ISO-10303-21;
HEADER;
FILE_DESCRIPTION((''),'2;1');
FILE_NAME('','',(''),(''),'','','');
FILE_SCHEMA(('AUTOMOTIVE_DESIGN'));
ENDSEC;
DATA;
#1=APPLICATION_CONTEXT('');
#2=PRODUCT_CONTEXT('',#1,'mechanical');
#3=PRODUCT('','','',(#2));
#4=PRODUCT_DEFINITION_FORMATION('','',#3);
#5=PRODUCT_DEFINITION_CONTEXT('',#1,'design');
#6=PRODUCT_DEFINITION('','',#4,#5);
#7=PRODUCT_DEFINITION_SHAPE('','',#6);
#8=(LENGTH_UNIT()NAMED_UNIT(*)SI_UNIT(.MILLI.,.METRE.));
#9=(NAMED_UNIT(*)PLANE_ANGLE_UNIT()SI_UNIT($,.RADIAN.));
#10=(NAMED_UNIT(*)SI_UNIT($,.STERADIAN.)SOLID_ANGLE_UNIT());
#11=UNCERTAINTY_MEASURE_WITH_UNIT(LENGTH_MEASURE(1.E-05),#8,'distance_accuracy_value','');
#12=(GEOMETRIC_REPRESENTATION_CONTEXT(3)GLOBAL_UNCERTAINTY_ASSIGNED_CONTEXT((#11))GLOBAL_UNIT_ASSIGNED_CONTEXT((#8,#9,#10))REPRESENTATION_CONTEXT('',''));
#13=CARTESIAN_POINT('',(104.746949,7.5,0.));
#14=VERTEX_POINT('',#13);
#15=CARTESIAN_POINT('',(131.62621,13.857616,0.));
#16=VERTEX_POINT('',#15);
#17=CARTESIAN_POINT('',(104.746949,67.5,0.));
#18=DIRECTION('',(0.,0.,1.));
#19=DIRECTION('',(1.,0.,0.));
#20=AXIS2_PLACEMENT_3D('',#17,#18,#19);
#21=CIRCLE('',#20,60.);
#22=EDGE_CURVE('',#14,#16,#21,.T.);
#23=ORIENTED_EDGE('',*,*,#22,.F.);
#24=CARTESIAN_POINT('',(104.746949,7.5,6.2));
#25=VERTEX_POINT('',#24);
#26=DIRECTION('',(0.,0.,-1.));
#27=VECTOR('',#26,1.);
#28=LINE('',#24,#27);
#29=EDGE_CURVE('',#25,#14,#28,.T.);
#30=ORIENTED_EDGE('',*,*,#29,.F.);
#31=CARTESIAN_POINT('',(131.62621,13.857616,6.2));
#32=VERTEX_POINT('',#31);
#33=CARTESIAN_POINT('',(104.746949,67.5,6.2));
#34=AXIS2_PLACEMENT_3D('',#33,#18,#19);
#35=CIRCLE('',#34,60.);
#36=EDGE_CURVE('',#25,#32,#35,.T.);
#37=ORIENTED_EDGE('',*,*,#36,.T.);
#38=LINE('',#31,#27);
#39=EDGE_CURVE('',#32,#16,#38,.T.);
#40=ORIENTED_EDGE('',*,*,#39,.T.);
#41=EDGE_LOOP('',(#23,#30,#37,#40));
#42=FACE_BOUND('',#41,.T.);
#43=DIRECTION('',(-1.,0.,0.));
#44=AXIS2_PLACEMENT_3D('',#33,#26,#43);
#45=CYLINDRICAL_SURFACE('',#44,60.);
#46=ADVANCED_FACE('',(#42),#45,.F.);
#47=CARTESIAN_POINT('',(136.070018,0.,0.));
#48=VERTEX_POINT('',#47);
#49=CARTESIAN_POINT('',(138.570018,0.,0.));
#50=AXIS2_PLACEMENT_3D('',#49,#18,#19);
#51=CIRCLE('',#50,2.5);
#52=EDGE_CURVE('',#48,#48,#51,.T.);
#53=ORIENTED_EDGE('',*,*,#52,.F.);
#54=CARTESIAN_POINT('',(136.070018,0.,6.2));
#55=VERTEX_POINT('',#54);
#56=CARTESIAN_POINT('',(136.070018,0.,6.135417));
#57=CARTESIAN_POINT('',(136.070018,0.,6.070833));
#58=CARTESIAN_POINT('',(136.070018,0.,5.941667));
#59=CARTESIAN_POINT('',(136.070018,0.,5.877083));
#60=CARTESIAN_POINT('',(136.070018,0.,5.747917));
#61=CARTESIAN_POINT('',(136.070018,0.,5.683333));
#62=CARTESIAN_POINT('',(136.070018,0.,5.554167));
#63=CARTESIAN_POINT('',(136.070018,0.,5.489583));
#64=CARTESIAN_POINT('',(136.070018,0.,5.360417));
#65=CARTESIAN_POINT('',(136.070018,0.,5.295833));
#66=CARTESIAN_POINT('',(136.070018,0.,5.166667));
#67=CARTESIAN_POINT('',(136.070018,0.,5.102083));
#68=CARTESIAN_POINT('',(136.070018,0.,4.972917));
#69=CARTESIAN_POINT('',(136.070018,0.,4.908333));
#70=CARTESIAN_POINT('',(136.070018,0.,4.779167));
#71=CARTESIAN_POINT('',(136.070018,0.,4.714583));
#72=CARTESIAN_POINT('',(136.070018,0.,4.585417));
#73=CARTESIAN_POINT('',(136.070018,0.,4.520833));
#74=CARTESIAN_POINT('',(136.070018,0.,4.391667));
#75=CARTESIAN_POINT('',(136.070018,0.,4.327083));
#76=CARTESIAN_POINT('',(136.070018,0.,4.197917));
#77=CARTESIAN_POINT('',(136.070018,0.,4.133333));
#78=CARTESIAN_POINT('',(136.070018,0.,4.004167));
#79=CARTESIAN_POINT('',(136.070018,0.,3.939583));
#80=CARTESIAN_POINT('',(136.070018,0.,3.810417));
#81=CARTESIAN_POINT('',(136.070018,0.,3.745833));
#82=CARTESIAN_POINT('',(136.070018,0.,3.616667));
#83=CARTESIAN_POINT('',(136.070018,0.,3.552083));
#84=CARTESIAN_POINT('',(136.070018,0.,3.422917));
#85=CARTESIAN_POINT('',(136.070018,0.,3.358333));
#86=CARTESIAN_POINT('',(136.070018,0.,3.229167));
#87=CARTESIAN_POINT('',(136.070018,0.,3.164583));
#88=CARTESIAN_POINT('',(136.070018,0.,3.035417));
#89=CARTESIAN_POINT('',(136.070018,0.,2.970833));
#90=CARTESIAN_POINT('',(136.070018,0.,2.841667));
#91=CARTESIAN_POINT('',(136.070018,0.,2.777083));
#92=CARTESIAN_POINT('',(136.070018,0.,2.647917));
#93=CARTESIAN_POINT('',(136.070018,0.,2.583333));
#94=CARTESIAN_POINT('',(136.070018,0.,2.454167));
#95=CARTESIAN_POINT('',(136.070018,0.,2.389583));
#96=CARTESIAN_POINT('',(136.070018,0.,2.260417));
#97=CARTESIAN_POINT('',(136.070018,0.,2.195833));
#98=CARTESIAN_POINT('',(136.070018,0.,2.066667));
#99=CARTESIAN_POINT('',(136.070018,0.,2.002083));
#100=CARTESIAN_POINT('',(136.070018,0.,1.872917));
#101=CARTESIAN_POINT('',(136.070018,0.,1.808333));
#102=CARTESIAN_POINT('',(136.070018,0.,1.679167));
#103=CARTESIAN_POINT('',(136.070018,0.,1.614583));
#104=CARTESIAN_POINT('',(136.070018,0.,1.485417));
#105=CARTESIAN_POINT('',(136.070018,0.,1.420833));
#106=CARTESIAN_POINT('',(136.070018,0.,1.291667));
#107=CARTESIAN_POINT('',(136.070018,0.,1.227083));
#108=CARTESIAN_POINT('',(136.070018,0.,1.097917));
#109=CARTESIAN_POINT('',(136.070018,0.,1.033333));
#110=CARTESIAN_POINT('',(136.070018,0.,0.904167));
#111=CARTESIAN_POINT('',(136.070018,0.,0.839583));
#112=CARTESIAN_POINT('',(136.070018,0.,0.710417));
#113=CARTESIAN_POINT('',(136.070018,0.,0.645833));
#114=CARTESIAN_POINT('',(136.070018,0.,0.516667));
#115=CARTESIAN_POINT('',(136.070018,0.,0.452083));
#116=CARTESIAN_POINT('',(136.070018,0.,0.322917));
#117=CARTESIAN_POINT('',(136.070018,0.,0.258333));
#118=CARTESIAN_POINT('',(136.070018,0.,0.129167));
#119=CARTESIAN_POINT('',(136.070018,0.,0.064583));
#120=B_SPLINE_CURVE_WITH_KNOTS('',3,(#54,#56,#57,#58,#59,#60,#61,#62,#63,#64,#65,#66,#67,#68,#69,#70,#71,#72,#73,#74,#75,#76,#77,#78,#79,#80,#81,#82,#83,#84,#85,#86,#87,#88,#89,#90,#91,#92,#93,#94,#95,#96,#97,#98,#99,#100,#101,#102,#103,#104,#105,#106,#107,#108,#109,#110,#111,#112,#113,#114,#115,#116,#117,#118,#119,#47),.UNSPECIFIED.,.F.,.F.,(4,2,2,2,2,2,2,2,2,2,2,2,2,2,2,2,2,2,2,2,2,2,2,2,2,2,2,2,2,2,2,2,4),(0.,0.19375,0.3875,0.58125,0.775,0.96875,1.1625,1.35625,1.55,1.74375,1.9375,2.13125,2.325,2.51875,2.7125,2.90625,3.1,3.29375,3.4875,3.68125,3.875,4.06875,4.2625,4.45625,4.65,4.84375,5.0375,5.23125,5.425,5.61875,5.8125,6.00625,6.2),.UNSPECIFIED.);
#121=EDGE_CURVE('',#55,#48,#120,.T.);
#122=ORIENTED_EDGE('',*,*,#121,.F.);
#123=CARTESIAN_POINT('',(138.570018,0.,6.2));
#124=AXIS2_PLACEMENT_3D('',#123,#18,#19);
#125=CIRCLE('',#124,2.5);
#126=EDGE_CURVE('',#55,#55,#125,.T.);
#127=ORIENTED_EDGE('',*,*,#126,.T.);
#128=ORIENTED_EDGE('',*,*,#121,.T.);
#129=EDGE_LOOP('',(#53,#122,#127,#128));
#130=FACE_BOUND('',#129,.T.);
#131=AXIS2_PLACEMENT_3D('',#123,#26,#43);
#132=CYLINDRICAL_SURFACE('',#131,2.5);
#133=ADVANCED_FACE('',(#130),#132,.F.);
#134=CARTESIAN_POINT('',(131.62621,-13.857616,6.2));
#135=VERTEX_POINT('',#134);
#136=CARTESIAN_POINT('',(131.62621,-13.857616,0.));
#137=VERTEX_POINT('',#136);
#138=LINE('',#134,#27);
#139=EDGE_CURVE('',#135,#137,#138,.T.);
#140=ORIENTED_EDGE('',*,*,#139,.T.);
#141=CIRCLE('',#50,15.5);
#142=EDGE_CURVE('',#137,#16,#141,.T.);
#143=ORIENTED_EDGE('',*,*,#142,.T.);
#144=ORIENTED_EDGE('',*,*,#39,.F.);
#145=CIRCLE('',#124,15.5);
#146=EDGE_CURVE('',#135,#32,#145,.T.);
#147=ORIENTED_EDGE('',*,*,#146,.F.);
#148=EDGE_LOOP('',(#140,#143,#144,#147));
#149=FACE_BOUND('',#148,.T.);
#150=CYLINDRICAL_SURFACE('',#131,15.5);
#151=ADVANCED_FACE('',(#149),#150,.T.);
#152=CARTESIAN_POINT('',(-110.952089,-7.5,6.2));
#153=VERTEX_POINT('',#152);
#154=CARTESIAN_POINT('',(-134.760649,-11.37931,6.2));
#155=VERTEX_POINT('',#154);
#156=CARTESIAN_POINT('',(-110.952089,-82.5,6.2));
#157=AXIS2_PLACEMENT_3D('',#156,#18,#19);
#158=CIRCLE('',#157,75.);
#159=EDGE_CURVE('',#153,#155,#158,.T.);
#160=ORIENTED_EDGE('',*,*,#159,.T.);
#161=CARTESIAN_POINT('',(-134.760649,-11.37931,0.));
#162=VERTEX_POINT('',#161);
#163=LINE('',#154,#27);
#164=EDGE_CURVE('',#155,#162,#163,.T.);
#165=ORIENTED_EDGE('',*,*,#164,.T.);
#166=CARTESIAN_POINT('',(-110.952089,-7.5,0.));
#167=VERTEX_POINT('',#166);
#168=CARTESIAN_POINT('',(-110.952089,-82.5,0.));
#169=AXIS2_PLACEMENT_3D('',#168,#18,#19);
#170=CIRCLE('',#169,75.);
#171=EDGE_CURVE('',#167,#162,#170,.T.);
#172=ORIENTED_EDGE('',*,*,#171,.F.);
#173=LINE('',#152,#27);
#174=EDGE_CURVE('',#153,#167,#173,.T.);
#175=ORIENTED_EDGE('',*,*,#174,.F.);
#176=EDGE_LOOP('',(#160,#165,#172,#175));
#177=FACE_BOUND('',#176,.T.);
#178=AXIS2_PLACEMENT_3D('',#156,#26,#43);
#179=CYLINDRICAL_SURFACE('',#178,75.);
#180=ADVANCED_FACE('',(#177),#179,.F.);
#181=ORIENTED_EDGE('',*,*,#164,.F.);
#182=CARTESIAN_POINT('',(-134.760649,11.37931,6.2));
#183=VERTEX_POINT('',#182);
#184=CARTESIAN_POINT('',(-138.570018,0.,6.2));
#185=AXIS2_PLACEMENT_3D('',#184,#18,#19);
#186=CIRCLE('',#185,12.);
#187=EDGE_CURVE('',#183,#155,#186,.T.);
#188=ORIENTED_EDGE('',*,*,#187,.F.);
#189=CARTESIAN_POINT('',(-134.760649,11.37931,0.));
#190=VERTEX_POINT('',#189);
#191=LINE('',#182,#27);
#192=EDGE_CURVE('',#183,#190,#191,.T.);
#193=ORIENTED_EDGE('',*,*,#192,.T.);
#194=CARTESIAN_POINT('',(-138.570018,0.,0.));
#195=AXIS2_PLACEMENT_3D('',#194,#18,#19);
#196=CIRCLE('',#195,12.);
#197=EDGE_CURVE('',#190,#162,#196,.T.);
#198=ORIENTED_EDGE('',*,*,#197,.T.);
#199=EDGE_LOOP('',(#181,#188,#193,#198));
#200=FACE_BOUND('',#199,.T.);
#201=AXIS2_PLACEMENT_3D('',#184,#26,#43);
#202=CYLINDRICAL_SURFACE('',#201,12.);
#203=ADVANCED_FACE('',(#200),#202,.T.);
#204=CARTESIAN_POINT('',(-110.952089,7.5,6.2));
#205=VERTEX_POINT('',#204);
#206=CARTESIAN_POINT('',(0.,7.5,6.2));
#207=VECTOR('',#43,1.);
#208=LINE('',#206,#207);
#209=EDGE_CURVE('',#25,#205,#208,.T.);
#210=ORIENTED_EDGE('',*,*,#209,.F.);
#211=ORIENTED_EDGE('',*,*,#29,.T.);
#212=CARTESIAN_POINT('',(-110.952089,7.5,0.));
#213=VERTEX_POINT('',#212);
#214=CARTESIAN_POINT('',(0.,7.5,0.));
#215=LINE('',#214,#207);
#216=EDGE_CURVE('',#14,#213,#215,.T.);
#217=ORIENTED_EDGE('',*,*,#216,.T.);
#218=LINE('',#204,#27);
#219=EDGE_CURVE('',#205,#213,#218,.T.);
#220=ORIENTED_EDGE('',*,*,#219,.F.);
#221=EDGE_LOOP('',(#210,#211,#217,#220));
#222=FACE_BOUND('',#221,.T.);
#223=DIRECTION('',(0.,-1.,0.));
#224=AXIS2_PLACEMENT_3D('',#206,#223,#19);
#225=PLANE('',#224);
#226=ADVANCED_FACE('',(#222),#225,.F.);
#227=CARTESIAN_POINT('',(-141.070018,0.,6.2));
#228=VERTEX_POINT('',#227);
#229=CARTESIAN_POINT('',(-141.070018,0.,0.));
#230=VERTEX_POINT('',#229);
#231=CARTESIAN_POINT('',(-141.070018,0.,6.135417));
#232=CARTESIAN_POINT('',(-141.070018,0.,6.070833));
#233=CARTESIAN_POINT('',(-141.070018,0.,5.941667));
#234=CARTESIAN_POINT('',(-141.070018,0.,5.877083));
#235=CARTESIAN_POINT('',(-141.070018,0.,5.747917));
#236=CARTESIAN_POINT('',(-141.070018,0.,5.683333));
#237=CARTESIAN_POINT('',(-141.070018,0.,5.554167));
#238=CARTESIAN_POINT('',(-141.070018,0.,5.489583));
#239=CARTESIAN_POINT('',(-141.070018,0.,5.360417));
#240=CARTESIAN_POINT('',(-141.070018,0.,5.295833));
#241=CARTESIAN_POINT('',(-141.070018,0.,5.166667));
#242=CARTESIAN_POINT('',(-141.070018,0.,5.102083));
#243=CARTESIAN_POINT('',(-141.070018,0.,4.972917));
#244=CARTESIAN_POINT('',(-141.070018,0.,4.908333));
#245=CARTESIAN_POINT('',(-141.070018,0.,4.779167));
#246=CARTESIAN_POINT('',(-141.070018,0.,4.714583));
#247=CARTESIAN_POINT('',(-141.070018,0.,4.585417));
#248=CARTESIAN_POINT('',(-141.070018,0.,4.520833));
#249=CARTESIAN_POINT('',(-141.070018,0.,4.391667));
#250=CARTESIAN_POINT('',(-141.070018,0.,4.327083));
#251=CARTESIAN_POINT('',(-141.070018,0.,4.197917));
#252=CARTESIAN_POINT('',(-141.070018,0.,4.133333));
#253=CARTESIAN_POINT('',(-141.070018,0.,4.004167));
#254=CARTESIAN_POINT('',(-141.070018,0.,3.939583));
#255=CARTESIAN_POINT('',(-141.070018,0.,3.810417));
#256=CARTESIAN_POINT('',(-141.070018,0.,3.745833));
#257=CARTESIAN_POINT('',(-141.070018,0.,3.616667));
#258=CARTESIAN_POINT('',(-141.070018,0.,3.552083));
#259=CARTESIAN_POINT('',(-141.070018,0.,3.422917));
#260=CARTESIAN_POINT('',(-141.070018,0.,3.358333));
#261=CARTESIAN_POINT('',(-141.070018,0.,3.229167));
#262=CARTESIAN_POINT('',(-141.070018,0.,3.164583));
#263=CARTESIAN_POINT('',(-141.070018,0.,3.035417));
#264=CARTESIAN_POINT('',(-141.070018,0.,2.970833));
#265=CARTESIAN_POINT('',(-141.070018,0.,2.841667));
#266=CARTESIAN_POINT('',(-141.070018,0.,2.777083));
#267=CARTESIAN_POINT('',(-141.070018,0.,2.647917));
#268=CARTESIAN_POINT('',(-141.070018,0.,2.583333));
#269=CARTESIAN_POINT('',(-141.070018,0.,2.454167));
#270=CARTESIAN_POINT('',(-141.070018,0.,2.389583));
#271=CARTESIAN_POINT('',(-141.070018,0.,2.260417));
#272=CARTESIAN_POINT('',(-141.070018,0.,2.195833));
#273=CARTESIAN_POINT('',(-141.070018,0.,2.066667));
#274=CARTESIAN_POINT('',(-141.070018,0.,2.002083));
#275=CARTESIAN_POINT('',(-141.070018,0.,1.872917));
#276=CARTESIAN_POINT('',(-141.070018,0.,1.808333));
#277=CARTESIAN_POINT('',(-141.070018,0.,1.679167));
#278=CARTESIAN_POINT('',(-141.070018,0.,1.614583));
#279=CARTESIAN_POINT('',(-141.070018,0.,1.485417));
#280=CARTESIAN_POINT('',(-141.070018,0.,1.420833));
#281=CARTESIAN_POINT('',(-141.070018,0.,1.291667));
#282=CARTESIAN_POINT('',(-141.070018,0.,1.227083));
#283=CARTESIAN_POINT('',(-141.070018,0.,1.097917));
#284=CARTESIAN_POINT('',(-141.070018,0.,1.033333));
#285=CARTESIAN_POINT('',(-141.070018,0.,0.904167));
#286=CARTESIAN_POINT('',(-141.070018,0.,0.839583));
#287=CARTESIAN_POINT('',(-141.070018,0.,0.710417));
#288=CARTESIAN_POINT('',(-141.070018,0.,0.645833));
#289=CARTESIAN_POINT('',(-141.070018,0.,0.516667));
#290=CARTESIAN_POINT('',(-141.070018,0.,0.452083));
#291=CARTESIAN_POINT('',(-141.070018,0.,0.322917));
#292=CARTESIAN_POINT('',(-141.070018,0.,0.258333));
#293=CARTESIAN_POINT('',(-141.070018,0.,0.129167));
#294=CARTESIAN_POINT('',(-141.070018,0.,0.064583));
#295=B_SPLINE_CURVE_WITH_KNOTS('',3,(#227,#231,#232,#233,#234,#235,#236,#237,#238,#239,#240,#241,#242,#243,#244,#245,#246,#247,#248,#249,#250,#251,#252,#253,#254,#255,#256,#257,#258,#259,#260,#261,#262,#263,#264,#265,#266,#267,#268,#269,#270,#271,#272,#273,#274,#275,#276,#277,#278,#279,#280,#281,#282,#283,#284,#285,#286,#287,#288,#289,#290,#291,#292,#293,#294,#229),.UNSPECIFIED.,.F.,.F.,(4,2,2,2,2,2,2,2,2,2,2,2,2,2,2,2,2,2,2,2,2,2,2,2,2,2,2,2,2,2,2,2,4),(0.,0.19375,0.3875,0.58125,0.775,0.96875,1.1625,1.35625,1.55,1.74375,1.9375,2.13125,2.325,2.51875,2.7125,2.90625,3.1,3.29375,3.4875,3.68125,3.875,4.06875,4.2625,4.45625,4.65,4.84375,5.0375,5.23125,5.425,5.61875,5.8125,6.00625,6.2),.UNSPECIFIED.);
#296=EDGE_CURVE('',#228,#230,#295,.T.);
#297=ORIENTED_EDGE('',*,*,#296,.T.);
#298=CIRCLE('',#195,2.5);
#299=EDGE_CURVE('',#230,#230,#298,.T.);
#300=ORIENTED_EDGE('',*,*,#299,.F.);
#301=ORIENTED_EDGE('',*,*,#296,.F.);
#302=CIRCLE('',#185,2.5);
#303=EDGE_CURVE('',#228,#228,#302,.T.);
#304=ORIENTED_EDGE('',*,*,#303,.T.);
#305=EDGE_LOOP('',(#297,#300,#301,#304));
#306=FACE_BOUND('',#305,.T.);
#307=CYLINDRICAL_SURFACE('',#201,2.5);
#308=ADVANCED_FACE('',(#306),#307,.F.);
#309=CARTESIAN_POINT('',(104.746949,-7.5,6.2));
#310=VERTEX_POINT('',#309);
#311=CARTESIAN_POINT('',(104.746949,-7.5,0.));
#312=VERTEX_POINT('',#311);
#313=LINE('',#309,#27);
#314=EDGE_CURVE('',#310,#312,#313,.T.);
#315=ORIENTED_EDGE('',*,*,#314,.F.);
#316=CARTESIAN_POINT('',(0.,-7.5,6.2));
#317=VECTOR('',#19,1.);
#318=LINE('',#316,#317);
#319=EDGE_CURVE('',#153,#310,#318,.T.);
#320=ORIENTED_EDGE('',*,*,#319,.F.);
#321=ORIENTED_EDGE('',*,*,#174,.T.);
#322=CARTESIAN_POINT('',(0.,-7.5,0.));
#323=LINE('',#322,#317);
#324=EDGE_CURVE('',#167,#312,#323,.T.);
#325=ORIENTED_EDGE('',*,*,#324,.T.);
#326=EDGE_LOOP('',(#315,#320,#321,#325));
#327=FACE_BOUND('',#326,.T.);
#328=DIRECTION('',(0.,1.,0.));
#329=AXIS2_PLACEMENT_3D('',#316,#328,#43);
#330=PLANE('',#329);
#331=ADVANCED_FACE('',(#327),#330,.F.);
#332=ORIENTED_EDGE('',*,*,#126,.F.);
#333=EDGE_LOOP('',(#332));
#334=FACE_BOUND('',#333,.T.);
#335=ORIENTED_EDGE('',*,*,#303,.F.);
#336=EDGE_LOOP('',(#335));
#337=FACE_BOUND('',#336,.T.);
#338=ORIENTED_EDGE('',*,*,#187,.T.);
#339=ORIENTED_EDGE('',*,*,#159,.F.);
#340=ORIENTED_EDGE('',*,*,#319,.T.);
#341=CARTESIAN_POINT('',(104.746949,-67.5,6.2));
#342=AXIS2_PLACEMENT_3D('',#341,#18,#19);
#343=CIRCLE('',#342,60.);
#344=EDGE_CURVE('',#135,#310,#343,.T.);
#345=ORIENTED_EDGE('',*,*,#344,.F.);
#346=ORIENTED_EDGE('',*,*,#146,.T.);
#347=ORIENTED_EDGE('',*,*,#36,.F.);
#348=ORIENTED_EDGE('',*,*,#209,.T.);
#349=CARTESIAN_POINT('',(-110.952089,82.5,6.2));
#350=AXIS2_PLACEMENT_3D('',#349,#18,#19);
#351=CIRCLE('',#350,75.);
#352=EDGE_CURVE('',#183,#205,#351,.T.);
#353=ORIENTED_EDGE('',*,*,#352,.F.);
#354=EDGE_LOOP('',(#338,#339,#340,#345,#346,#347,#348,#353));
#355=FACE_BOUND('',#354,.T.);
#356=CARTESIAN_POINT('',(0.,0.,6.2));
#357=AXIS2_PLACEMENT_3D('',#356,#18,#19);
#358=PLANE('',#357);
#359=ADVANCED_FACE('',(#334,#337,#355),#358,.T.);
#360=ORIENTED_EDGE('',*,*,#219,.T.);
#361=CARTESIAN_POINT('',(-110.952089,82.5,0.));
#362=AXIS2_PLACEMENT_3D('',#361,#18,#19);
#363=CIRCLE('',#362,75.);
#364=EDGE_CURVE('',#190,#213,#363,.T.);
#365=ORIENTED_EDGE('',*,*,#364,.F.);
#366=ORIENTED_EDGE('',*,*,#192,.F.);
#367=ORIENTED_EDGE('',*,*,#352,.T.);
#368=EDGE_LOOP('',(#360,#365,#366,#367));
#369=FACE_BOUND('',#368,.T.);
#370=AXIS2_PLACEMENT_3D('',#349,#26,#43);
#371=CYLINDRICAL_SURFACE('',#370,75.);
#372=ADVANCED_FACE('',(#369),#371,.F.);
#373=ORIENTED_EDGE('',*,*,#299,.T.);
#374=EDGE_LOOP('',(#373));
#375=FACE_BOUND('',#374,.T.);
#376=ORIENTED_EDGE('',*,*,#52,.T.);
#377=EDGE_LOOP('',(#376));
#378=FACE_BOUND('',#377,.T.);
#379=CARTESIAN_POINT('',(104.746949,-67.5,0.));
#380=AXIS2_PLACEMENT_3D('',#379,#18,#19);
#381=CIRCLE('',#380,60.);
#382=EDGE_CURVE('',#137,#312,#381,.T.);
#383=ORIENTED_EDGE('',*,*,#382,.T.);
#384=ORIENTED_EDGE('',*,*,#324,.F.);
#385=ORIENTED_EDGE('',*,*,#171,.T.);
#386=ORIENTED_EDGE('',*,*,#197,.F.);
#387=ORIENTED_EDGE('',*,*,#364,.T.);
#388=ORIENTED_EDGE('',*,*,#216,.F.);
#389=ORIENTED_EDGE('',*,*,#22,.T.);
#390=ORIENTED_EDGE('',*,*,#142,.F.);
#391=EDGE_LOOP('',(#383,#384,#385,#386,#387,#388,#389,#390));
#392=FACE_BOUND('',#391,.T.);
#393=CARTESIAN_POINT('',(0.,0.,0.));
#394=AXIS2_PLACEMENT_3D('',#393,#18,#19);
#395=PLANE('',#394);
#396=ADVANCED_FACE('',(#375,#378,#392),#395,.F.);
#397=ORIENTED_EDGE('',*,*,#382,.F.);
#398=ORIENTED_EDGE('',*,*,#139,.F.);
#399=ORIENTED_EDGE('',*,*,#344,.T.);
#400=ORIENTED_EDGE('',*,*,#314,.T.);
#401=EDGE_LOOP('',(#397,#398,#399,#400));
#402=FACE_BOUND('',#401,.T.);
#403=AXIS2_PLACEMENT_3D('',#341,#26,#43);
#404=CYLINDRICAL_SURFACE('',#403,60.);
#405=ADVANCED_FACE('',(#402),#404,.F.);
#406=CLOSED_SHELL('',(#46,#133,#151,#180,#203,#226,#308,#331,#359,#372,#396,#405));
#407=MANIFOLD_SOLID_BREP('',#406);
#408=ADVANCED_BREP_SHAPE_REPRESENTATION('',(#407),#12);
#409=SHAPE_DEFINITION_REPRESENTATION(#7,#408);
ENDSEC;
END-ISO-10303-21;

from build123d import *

# Parameters (mm, degrees)
SKETCH1_R           = 2.5
BOSS_EXTRUDE1_DEPTH = 6.2


with BuildPart() as part:
    # Sketch1 → Boss-Extrude1 (new body)
    with BuildSketch(Plane.XY):
        with BuildLine():
            Line((104.746949389, 7.5), (-110.952089481, 7.5))
            ThreePointArc((-110.952089481, 7.5), (-123.013355498, 8.476180441), (-134.760648928, 11.379310345))
            ThreePointArc((-134.760648928, 11.379310345), (-150.57001844, 0), (-134.760648928, -11.379310345))
            ThreePointArc((-134.760648928, -11.379310345), (-123.013355498, -8.476180441), (-110.952089481, -7.5))
            Line((-110.952089481, -7.5), (104.746949389, -7.5))
            ThreePointArc((104.746949389, -7.5), (118.557397493, -9.111032522), (131.626209562, -13.857615894))
            ThreePointArc((131.626209562, -13.857615894), (154.07001844, 0), (131.626209562, 13.857615894))
            ThreePointArc((131.626209562, 13.857615894), (118.557397493, 9.111032522), (104.746949389, 7.5))
        make_face()
        with Locations(Location((-138.57001844, 0, 0), (0, 0, 180))):
            Circle(SKETCH1_R, mode=Mode.SUBTRACT)
        with Locations(Location((138.57001844, 0, 0), (0, 0, 180))):
            Circle(SKETCH1_R, mode=Mode.SUBTRACT)
    extrude(amount=BOSS_EXTRUDE1_DEPTH)


solid = part.part
